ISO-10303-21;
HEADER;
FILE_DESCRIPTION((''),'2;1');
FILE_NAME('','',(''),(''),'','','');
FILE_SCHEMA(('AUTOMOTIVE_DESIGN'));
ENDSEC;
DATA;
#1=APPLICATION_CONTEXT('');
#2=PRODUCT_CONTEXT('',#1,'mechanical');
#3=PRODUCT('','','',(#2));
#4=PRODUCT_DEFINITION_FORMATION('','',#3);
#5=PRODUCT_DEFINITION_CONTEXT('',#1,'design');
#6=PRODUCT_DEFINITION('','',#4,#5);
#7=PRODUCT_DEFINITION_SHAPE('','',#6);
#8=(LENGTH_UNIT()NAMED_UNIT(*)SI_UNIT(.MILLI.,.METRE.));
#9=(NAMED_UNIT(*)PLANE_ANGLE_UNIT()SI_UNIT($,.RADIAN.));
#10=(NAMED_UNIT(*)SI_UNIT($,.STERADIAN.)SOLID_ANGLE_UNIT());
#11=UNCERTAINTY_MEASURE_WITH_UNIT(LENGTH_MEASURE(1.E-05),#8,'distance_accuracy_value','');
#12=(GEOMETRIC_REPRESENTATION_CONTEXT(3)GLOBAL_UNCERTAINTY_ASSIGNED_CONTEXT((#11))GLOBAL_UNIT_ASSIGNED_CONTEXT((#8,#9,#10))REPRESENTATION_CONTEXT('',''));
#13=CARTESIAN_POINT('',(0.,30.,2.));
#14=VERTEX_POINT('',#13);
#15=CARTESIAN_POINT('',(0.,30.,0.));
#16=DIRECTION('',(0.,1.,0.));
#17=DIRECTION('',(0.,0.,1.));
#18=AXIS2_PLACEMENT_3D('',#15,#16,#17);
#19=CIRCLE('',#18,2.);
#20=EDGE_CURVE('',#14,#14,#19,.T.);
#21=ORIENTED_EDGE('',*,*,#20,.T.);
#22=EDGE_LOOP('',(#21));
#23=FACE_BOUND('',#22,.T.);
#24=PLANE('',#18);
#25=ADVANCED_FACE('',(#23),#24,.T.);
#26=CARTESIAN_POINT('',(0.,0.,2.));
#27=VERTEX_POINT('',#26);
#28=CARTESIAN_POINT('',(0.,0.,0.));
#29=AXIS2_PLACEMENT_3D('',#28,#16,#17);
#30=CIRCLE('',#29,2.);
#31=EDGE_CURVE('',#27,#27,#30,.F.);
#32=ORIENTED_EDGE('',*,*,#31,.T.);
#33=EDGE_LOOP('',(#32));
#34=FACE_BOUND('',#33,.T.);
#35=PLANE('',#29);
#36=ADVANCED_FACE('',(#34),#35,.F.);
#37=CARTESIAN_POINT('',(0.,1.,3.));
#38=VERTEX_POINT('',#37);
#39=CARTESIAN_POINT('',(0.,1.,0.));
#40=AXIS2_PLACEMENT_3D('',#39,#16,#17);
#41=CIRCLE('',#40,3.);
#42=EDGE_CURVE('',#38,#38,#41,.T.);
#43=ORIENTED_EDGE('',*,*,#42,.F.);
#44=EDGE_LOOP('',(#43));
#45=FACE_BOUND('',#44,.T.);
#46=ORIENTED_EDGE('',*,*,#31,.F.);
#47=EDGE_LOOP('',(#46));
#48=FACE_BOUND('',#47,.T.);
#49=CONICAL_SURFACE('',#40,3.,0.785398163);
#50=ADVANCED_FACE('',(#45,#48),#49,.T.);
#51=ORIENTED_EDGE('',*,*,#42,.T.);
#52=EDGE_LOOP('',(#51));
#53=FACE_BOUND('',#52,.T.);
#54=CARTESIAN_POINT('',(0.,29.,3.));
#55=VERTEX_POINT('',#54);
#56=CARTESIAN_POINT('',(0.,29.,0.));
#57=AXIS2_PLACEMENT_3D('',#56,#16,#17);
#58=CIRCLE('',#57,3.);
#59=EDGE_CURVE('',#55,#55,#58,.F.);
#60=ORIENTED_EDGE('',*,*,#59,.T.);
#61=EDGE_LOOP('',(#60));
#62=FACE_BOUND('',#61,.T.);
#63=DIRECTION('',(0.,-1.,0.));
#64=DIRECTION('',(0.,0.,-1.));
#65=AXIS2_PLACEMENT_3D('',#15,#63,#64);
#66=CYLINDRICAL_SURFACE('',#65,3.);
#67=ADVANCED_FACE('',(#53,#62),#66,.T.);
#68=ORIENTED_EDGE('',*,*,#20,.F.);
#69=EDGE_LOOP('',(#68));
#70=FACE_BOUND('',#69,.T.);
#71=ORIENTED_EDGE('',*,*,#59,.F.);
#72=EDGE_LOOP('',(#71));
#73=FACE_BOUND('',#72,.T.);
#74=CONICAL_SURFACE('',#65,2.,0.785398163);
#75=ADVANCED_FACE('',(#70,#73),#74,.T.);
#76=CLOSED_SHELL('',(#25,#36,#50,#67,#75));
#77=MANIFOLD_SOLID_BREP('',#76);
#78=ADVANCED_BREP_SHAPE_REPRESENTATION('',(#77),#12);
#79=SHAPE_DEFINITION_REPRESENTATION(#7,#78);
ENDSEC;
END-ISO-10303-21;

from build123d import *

# Parameters (mm, degrees)
SKETCH1_R           = 3
BOSS_EXTRUDE1_DEPTH = 30
CHAMFER1_SIZE       = 1


with BuildPart() as part:
    # Sketch1 → Boss-Extrude1 (new body)
    with BuildSketch(Plane(origin=(0, 0, 0), x_dir=(1, 0, 0), z_dir=(0, 1, 0))):
        Circle(SKETCH1_R)
    extrude(amount=BOSS_EXTRUDE1_DEPTH)

    # Chamfer1
    chamfer1_edges = [part.edges().sort_by_distance(p)[0] for p in [
        (-3, 0, 0),
        (-3, 30, 0),
    ]]
    chamfer(chamfer1_edges, length=CHAMFER1_SIZE)


solid = part.part
